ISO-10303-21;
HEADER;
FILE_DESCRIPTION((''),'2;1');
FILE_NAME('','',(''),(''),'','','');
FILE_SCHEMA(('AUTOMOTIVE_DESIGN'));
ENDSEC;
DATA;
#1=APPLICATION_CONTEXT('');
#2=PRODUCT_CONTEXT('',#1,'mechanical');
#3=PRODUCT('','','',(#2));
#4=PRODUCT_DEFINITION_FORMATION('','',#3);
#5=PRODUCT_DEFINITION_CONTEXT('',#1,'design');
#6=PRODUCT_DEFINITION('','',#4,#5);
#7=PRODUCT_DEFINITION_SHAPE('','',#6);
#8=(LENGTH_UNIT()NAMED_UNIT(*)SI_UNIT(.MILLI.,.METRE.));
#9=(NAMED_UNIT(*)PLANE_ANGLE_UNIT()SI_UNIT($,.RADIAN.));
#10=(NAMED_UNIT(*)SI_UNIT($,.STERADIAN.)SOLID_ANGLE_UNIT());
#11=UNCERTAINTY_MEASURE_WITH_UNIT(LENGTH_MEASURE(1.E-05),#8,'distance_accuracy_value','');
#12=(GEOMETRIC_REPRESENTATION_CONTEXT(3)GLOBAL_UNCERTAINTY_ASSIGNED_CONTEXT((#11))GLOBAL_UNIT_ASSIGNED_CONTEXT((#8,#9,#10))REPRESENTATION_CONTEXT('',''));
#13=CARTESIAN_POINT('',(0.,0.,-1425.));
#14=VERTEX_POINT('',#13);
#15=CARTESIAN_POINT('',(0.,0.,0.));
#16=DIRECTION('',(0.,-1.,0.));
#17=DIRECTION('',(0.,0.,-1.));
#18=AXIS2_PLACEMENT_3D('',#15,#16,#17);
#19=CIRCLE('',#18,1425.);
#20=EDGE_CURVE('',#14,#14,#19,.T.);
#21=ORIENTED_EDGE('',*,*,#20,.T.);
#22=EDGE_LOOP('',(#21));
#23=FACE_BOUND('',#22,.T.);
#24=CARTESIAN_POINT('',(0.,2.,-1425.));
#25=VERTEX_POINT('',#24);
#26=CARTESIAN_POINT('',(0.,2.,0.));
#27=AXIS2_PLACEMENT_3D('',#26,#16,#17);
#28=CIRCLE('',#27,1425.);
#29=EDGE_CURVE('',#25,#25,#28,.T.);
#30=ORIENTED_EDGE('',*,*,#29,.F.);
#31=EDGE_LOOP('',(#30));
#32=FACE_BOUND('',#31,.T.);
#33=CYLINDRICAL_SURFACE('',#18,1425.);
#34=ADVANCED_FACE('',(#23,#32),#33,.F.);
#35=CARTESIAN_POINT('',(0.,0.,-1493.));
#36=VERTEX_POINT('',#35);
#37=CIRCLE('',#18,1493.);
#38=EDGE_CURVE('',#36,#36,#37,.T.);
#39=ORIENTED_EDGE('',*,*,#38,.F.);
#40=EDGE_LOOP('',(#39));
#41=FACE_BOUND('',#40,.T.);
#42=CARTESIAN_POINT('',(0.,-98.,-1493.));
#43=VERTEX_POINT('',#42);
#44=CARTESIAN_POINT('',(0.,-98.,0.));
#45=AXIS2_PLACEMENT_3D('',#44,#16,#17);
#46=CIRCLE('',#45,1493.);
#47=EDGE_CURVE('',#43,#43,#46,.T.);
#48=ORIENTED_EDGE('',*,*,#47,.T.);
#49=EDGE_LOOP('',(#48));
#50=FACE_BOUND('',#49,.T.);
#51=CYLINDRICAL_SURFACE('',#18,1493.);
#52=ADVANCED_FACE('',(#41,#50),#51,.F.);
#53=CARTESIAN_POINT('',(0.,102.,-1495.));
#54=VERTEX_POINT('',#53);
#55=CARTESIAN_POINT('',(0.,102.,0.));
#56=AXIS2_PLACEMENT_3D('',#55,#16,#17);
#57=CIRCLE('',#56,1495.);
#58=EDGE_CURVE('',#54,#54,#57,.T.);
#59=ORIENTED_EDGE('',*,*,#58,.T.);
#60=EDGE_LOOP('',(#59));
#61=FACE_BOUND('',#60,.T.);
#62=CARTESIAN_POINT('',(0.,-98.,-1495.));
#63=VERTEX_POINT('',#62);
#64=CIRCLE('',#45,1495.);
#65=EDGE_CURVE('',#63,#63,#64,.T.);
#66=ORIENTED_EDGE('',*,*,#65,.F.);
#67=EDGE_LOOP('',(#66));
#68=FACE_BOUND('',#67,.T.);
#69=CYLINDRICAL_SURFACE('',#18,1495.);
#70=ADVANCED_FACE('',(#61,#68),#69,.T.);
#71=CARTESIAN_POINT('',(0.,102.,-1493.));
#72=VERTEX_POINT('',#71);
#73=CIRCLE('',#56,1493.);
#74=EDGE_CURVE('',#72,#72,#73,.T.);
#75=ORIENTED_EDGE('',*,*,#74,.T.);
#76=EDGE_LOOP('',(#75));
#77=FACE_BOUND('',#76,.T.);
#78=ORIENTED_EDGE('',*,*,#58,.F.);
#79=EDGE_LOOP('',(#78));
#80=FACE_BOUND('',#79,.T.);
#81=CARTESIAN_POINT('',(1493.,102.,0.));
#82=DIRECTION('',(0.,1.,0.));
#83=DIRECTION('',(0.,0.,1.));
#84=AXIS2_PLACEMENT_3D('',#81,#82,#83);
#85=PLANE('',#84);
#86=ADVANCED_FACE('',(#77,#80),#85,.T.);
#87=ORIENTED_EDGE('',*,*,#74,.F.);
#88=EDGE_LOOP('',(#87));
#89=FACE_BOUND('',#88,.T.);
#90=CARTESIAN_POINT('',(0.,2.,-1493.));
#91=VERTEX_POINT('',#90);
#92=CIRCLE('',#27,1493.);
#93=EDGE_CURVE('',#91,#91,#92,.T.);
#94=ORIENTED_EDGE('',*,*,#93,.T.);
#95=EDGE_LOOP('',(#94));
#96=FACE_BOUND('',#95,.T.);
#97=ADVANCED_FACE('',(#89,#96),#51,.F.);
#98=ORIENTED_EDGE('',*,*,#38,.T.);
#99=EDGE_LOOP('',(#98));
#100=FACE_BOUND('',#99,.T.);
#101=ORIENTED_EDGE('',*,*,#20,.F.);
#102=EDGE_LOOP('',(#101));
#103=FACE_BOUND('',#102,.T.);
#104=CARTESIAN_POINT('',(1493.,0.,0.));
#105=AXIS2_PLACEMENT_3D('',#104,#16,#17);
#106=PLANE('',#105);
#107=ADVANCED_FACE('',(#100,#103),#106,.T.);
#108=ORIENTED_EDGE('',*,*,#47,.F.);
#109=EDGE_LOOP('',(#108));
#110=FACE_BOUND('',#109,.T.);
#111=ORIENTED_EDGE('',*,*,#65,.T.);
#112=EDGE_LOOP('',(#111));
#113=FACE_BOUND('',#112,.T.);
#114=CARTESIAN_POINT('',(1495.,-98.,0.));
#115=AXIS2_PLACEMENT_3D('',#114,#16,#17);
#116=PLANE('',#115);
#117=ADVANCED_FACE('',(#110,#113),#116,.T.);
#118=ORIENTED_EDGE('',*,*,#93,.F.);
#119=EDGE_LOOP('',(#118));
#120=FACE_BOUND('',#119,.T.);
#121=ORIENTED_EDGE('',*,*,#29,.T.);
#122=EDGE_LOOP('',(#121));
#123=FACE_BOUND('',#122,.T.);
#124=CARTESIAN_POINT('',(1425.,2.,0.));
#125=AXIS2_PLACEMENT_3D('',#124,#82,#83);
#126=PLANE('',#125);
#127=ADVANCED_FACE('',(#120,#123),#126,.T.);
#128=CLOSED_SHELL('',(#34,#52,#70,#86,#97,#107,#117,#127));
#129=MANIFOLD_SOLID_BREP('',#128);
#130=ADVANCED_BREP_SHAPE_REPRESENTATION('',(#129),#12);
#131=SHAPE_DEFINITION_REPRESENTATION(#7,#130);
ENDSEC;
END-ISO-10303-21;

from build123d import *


with BuildPart() as part:
    # Эскиз1 → Повернуть1 (revolve)
    with BuildSketch(Plane.XY, mode=Mode.PRIVATE) as revolve_1_sk:
        Polygon((1493, 102), (1495, 102), (1495, -98), (1493, -98), (1493, 0), (1425, 0), (1425, 2), (1493, 2), align=None)
    revolve(revolve_1_sk.sketch.rotate(Axis((0, 0, 0), (0, 1, 0)), 90), axis=Axis((0, 0, 0), (0, 1, 0)))


solid = part.part
